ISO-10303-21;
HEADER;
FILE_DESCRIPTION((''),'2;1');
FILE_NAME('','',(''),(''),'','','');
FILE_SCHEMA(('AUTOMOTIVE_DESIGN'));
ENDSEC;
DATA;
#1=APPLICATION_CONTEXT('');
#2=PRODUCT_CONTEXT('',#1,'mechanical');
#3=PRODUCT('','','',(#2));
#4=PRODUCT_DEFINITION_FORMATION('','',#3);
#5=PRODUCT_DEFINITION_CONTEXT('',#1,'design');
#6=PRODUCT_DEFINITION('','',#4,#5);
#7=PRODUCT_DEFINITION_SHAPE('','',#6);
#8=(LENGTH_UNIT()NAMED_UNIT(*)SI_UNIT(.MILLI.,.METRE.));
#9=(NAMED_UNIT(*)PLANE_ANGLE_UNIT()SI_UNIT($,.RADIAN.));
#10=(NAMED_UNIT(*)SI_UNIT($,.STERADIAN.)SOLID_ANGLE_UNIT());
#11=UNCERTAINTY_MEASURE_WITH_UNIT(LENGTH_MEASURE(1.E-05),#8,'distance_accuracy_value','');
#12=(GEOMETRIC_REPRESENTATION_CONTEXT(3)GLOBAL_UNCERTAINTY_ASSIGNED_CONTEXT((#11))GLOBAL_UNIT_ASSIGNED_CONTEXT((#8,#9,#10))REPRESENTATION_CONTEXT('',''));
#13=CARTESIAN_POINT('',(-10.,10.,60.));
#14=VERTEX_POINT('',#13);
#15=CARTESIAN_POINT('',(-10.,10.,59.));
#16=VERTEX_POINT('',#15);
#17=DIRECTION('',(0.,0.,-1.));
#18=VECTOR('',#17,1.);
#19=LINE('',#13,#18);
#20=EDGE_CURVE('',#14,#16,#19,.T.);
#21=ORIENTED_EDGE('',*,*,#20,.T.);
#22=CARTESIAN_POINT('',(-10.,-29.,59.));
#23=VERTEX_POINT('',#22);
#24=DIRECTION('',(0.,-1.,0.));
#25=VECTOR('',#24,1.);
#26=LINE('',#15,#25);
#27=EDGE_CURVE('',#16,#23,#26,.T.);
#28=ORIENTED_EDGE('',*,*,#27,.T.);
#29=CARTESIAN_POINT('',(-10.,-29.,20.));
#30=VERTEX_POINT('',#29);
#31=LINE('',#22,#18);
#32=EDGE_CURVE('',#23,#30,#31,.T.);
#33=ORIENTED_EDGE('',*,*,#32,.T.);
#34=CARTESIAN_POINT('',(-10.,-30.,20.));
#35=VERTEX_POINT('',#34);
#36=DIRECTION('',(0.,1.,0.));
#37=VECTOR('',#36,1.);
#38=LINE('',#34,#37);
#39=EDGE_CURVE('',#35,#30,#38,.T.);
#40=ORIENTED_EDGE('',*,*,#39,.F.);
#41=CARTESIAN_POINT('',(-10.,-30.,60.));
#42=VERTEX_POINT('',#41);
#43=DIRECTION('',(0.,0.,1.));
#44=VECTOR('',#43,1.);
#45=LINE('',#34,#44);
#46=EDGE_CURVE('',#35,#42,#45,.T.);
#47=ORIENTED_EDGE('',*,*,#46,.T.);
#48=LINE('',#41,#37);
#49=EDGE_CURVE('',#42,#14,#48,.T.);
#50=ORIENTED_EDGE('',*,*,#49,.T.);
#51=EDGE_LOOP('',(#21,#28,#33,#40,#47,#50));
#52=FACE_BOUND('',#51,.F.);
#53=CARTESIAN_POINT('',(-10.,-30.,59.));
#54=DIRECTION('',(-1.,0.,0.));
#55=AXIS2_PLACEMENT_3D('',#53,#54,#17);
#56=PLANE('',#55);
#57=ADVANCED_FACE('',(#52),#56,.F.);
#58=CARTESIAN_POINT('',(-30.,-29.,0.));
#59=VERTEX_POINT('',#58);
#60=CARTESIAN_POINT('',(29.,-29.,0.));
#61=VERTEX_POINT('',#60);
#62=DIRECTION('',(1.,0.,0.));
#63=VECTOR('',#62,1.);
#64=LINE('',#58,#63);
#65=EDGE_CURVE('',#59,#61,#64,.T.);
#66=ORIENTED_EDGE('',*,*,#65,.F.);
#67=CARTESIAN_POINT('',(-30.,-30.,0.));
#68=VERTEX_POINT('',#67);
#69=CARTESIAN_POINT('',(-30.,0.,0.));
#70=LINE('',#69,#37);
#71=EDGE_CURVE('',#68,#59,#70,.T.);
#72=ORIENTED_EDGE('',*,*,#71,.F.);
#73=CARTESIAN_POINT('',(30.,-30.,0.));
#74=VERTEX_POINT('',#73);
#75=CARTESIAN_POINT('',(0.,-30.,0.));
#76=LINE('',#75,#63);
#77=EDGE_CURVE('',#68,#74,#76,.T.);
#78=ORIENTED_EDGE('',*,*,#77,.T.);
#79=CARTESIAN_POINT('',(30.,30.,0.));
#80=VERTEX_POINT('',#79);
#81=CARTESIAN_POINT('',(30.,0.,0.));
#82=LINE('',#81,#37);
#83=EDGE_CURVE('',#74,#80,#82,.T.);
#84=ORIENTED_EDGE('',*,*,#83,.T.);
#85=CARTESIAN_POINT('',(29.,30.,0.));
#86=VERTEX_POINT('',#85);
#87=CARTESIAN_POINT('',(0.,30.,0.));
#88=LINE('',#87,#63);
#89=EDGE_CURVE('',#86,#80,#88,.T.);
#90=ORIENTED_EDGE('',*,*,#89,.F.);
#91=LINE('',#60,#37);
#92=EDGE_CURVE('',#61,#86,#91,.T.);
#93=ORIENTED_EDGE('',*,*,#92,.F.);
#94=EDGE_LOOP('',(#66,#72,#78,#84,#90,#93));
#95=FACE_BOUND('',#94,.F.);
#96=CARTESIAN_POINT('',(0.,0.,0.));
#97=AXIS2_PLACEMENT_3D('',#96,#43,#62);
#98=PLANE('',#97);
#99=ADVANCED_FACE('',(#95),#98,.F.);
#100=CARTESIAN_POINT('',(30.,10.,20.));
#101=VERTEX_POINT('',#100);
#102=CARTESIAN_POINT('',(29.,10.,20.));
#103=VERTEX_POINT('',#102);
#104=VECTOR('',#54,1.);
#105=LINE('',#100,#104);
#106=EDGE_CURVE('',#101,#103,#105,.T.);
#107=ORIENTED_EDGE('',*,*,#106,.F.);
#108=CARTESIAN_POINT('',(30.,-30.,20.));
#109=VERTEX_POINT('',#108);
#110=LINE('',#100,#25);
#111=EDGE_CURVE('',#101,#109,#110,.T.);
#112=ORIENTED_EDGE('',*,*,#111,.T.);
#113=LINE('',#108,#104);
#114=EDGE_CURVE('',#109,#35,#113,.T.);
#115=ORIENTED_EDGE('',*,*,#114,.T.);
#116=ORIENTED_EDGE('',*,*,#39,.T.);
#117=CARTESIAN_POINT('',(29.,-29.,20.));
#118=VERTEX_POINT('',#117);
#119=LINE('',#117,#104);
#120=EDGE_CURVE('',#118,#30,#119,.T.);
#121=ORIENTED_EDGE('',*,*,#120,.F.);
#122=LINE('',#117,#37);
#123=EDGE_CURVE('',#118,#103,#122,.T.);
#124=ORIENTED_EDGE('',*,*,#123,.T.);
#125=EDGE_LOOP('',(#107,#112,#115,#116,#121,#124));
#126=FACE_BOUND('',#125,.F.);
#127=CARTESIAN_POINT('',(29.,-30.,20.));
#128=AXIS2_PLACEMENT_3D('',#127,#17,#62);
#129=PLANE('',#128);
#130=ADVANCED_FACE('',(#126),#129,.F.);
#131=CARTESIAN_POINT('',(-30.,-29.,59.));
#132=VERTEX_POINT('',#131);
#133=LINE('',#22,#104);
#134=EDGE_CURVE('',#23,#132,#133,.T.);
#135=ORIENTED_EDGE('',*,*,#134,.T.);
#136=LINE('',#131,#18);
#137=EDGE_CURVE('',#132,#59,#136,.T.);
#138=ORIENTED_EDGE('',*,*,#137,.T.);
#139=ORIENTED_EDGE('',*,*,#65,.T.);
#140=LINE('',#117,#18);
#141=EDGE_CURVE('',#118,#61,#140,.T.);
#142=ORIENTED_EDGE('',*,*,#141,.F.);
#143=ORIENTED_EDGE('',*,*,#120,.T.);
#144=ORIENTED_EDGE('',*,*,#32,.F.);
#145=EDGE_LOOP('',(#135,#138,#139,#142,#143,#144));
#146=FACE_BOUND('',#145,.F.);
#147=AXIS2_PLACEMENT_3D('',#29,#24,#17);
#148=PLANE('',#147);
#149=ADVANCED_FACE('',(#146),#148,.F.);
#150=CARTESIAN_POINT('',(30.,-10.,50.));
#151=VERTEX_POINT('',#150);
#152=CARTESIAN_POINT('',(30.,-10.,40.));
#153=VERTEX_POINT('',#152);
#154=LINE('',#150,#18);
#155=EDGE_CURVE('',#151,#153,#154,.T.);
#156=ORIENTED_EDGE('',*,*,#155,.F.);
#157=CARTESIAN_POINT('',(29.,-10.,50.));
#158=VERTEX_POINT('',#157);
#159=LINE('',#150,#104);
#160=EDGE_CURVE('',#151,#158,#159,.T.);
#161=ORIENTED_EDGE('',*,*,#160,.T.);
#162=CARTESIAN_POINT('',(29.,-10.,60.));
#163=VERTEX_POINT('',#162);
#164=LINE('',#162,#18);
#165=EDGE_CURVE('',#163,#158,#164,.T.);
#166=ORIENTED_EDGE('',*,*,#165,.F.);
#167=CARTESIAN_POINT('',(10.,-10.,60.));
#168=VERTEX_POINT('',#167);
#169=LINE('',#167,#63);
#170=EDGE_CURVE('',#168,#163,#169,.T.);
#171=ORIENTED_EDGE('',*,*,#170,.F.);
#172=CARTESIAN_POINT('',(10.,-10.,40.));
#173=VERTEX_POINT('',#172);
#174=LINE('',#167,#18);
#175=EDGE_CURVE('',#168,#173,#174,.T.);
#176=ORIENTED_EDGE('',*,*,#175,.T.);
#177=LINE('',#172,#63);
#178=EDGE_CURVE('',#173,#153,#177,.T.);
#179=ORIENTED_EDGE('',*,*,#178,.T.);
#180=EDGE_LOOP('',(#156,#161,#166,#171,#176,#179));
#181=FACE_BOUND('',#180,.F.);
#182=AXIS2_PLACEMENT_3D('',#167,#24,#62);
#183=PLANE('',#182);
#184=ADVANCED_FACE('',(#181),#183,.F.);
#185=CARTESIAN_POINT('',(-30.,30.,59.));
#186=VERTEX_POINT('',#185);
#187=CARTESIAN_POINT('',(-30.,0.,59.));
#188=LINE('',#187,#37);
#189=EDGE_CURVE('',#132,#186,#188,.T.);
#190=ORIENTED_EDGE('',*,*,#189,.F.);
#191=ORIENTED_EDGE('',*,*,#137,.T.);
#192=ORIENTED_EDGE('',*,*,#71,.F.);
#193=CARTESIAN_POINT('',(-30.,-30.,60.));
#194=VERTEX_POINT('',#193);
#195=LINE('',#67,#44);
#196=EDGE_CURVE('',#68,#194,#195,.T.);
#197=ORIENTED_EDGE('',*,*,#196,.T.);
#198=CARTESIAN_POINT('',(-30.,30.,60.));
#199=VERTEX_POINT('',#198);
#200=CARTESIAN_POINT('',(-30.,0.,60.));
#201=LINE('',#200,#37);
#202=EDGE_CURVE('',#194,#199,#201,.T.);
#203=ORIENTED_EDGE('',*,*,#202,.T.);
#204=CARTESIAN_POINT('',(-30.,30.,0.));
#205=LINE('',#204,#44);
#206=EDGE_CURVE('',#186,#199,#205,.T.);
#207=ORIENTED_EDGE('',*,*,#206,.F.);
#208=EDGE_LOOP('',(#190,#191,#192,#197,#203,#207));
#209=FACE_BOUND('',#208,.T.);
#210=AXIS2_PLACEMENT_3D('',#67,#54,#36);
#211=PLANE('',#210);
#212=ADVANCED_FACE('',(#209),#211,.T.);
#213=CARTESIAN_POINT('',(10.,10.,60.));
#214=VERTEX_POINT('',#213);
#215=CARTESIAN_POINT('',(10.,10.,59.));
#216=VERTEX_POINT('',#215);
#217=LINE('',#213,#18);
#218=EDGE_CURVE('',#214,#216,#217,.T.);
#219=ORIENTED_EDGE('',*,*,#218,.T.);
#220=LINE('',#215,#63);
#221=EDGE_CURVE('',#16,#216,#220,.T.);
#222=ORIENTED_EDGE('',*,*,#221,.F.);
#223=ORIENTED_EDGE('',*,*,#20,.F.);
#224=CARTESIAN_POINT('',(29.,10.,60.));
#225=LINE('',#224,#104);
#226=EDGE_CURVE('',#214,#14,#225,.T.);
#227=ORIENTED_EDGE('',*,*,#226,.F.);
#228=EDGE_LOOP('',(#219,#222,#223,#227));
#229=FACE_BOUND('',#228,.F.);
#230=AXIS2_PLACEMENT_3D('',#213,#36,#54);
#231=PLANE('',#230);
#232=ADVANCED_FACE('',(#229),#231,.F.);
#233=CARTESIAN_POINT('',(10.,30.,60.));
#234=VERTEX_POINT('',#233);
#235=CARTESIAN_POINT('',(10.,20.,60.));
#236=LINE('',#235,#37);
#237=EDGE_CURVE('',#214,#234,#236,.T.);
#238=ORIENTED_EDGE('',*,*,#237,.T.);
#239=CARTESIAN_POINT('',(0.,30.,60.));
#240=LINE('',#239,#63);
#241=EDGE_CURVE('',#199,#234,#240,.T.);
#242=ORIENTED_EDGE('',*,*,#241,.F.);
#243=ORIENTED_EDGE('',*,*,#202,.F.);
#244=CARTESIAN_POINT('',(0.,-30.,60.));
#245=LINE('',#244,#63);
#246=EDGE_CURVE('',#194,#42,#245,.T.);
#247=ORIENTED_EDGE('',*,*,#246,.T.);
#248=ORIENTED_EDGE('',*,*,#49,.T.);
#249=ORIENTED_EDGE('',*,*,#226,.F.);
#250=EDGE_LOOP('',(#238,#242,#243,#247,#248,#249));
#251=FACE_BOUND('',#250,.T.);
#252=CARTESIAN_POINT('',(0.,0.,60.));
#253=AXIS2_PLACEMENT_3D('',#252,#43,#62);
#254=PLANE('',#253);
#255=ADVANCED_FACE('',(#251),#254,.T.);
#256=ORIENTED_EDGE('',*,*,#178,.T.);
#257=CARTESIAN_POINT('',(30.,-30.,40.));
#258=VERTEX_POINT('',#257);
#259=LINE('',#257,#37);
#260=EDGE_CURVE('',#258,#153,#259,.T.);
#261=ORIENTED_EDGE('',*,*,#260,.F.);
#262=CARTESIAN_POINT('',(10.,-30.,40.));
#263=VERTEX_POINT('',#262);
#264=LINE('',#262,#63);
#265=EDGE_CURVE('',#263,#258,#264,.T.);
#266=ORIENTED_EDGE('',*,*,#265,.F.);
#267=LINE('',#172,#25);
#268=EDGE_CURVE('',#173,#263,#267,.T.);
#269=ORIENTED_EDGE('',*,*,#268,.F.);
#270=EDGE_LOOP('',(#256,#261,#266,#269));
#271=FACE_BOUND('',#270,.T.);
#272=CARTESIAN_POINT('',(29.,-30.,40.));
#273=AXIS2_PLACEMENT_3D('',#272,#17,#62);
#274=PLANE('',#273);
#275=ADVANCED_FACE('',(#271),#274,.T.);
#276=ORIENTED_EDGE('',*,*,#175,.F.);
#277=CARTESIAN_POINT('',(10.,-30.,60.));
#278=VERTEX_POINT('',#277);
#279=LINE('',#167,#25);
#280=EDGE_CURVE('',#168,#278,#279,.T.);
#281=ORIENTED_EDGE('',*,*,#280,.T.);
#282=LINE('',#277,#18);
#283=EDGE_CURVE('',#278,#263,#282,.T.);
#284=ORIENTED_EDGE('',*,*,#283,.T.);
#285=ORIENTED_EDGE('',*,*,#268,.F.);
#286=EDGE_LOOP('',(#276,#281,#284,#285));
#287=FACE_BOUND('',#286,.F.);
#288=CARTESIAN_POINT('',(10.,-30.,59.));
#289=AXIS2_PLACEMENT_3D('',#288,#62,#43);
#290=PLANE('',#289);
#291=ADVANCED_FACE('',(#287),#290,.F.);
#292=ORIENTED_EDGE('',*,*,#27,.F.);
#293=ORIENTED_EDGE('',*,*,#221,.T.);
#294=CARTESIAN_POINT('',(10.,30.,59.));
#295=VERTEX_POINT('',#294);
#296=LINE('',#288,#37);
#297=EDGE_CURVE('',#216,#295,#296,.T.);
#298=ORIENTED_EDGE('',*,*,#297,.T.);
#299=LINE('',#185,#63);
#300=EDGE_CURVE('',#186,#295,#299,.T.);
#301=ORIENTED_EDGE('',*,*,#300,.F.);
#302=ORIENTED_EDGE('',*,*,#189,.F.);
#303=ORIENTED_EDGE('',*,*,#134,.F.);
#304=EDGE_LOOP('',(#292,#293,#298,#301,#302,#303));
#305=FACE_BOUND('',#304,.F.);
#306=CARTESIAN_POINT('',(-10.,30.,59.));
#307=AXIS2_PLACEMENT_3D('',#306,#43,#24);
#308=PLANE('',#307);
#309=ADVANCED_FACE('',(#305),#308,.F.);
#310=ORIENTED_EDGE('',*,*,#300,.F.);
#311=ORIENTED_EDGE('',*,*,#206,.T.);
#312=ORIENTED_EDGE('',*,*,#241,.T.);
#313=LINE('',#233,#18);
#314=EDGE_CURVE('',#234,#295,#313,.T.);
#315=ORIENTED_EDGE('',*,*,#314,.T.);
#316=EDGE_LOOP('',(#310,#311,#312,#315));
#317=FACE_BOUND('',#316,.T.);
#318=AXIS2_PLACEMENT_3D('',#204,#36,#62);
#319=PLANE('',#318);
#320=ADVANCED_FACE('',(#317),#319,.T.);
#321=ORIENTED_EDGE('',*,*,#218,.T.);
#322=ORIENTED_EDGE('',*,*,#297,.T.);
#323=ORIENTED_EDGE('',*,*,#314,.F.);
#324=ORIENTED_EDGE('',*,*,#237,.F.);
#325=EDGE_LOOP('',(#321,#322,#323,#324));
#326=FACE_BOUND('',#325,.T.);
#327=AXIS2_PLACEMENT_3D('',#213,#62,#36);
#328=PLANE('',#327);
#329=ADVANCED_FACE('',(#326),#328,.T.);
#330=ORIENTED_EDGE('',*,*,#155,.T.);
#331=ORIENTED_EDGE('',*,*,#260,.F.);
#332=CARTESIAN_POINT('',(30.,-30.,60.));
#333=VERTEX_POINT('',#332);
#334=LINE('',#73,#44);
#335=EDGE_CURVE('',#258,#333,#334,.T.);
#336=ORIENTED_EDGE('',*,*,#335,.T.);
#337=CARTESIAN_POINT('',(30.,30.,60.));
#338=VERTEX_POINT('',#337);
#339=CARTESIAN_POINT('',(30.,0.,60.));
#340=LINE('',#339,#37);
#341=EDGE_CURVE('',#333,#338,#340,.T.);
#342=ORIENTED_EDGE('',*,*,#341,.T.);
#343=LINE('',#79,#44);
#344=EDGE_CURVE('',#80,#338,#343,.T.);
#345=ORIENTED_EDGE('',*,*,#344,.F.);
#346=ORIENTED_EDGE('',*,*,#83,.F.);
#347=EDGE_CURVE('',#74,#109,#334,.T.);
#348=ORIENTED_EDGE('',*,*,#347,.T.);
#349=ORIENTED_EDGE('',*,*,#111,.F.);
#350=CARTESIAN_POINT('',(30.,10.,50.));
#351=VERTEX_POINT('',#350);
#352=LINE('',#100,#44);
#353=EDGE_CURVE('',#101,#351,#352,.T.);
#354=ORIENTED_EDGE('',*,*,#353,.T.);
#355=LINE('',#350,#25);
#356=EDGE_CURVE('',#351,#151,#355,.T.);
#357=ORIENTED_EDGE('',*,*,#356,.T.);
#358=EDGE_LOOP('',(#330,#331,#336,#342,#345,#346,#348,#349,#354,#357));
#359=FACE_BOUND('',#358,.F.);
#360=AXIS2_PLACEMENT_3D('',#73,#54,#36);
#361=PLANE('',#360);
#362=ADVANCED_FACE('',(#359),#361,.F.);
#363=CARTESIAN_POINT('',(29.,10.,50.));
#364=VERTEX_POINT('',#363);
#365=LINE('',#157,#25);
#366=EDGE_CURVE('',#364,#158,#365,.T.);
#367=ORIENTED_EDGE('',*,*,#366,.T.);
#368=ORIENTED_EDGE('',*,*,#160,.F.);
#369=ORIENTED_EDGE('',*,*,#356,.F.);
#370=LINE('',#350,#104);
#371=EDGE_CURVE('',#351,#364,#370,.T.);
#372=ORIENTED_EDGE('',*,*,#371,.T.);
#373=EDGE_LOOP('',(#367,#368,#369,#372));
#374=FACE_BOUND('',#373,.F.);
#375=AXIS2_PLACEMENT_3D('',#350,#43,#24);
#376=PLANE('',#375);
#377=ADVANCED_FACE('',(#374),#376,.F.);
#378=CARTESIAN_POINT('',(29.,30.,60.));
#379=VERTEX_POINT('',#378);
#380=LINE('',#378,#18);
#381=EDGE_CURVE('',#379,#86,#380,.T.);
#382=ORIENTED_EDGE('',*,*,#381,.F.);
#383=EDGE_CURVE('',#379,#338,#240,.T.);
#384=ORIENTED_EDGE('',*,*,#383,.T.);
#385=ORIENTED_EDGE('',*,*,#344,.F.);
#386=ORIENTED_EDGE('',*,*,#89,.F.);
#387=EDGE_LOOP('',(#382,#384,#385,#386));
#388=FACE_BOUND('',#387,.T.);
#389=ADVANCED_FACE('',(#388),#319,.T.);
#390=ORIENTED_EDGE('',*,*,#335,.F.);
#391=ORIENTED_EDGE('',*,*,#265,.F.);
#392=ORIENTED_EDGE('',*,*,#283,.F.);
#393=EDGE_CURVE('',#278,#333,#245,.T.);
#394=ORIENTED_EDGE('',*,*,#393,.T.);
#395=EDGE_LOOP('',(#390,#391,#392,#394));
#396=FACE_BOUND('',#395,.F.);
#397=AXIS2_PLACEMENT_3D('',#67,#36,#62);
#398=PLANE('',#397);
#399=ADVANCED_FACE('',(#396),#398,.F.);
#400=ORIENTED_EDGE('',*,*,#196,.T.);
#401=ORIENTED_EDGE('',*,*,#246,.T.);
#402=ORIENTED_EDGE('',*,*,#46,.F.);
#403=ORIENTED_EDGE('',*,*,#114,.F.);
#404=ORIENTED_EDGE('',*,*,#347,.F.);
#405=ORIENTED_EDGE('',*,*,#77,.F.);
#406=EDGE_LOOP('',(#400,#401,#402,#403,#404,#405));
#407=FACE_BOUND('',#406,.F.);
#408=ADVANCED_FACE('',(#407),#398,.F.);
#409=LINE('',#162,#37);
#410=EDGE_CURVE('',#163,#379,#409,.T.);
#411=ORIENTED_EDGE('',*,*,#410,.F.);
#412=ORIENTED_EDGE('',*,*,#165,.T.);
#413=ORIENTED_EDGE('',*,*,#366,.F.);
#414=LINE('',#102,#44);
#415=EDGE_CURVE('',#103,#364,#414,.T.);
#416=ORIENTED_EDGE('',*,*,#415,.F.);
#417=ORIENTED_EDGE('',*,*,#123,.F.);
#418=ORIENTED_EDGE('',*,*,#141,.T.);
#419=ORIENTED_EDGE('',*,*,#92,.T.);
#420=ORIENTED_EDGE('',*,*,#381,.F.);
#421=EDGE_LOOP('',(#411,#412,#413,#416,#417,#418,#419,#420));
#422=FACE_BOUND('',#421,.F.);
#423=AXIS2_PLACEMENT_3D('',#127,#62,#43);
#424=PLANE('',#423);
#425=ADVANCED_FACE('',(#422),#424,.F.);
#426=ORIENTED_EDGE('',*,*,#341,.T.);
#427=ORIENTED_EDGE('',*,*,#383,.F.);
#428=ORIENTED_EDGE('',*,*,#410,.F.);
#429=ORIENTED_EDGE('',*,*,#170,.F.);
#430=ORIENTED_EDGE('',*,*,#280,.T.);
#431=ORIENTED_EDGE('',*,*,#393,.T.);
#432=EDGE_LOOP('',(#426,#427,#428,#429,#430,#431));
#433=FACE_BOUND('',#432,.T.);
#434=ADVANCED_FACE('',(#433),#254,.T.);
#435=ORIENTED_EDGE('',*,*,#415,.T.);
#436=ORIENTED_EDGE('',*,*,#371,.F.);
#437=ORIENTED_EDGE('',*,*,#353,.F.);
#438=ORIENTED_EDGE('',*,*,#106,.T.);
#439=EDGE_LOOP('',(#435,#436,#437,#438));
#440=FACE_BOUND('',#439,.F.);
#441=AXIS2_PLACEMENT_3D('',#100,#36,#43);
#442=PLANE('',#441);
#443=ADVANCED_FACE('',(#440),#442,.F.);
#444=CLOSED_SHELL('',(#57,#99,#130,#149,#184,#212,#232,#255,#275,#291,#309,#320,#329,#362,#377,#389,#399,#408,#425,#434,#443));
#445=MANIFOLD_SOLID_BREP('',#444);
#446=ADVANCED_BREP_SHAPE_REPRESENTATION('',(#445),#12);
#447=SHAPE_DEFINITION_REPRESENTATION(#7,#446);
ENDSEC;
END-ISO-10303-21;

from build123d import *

# Parameters (mm, degrees)
F0_W      = 60
F0_H      = 60
F1_DEPTH  = 60
F2_W      = 19
F2_H      = 20
F3_DEPTH  = 60.001
F5_DEPTH  = 60.001
F6_W      = 19
F6_H      = 19
F5_FACE_W = 20
F5_FACE_H = 20
F7_DEPTH  = 25
F9_DEPTH  = 60.001
F11_DEPTH = 20.001
F12_W     = 1
F12_H     = 20
F12_W_2   = 20
F12_H_2   = 1
F13_DEPTH = 2


with BuildPart() as f1:
    # F0 (on Top) → F1 (new body)
    with BuildSketch(Plane.XY):
        Rectangle(F0_W, F0_H)
    extrude(amount=F1_DEPTH)

    # F2 (on face) → F3 (cut, through all)
    with BuildSketch(Plane.XY.offset(60)):
        Polygon((10, -10), (29, -10), (29, 10), (10, 10), (-10, 10), (-10, -29), (10, -29), align=None)
        with Locations((19.5, 20)):
            Rectangle(F2_W, F2_H)
    extrude(amount=-F3_DEPTH, mode=Mode.SUBTRACT)

    # F4 (on face) → F5 (cut, through all)
    with BuildSketch(Plane.XZ.offset(30)):
        Polygon((10, 59), (-10, 59), (-10, 20), (29, 20), (29, 40), (10, 40), align=None)
    extrude(amount=-F5_DEPTH, mode=Mode.SUBTRACT)

    # F6 (on face) + F5_face (on face) → F7 (cut)
    with BuildSketch(Plane.XY.offset(20)):
        with Locations((19.5, -19.5)):
            Rectangle(F6_W, F6_H)
    with BuildSketch(Plane(origin=(18.525, -20.475, 20), x_dir=(1, 0, 0), z_dir=(0, 0, 1))):
        with Locations((-18.525, 40.475)):
            Rectangle(F5_FACE_W, F5_FACE_H)
    extrude(amount=-F7_DEPTH, mode=Mode.SUBTRACT)

    # F8 (on face) → F9 (cut, through all)
    with BuildSketch(Plane.YZ.offset(30)):
        Polygon((-29, 40), (-29, 20), (10, 20), (10, 50), (-10, 50), (-10, 40), align=None)
    extrude(amount=-F9_DEPTH, mode=Mode.SUBTRACT)

    # F10 (on face) → F11 (cut, through all)
    with BuildSketch(Plane.YZ.offset(-10)):
        Polygon((30, 0), (30, 59), (10, 59), (-29, 59), (-29, 40), (-10, 40), (-10, 50), (10, 50), (10, 20), (-29, 20), (-29, 0), align=None)
    extrude(amount=-F11_DEPTH, mode=Mode.SUBTRACT)

    # F12 (on face) → F13 (cut)
    with BuildSketch(Plane.XZ.offset(30)):
        with Locations((29.5, 30)):
            Rectangle(F12_W, F12_H)
        with Locations((0, 59.5)):
            Rectangle(F12_W_2, F12_H_2)
    extrude(amount=-F13_DEPTH, mode=Mode.SUBTRACT)


solid = f1.part
